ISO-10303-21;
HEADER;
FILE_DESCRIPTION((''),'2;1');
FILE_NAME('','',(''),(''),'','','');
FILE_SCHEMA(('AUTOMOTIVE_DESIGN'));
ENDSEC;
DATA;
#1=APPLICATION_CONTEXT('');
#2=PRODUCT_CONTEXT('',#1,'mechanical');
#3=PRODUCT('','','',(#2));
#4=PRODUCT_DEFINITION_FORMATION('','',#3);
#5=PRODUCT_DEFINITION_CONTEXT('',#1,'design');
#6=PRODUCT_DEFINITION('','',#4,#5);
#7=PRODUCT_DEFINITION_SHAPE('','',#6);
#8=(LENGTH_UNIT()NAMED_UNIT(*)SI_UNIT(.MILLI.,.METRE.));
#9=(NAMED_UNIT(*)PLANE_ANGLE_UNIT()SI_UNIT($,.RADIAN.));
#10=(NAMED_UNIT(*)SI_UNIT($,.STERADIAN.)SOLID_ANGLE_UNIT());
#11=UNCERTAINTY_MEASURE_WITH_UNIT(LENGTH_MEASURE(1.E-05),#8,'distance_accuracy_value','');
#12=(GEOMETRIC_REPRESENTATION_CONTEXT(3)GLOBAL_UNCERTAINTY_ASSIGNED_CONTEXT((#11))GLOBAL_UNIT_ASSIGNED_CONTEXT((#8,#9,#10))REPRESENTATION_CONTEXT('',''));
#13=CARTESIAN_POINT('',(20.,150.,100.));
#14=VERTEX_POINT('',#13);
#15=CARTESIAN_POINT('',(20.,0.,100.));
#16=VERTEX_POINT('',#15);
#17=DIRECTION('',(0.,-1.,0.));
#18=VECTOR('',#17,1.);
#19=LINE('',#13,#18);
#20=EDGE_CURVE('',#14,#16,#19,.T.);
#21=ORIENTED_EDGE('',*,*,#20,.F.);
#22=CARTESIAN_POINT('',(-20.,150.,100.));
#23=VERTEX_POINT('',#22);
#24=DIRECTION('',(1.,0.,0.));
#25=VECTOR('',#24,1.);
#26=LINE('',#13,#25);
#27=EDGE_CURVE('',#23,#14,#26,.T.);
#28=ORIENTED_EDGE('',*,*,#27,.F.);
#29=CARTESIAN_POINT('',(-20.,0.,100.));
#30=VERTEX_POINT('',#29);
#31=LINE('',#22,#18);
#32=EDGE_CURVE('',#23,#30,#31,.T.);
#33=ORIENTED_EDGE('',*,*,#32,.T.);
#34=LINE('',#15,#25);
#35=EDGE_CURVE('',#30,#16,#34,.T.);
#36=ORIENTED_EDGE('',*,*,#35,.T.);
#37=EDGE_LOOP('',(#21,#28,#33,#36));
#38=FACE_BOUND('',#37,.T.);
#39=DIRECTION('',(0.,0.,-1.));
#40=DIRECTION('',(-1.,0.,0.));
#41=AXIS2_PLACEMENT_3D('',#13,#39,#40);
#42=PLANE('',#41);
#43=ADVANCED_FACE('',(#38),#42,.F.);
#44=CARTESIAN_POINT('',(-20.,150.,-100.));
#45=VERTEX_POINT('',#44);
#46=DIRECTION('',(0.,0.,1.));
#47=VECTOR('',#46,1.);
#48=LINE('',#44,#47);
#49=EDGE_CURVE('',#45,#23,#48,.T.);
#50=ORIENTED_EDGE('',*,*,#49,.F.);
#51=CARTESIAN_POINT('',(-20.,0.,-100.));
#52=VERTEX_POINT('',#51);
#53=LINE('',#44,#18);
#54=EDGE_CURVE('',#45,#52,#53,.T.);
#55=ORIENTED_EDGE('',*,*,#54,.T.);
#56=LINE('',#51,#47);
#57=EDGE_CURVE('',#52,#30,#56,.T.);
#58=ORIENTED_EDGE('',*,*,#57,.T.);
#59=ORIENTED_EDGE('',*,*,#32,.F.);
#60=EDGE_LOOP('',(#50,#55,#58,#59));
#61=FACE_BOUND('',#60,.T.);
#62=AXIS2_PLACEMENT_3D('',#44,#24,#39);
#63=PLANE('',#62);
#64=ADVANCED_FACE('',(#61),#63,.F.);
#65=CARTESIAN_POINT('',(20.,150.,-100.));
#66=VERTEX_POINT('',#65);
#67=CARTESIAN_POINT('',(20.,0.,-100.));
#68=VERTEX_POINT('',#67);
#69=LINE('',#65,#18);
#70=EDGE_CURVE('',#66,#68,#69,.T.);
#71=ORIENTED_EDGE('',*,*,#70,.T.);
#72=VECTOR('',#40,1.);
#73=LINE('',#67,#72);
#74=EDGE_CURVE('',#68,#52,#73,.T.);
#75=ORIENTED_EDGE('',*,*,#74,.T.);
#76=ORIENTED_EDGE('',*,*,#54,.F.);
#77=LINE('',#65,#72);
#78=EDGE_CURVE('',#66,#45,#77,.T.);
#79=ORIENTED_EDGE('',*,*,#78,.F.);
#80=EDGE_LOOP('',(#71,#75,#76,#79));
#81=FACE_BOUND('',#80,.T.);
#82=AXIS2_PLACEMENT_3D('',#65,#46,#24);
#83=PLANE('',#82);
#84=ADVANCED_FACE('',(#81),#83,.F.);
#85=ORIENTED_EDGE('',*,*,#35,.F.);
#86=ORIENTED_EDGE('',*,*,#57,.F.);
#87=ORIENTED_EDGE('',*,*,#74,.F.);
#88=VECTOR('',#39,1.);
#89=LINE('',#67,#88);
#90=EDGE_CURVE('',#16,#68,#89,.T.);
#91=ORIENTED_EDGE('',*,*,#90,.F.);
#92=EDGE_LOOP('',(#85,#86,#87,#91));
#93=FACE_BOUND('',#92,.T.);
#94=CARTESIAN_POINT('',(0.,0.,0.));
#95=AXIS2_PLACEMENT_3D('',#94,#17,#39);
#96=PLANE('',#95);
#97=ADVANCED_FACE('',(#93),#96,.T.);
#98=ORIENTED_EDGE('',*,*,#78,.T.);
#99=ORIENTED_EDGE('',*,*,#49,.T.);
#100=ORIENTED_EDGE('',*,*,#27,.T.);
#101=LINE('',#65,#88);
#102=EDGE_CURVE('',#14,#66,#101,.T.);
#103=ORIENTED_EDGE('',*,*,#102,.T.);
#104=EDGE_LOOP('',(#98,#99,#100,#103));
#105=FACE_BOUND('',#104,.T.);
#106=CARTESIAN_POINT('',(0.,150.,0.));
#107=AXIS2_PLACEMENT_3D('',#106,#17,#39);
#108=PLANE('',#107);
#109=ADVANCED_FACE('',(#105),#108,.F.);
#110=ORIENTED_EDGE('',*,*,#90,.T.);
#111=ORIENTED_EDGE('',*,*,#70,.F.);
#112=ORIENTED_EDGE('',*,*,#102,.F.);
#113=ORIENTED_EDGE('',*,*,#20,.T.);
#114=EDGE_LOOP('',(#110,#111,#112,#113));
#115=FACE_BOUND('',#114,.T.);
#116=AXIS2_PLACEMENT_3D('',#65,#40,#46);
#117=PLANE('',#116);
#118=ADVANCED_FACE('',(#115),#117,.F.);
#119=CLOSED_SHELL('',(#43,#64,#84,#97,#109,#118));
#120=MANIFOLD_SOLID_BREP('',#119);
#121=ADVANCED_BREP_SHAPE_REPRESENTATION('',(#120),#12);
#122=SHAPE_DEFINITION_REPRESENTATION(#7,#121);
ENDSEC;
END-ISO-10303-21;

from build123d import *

# Parameters (mm, degrees)
SKETCH1_W           = 40
SKETCH1_H           = 200
BOSS_EXTRUDE1_DEPTH = 150


with BuildPart() as part:
    # Sketch1 → Boss-Extrude1 (new body)
    with BuildSketch(Plane(origin=(0, 0, 0), x_dir=(1, 0, 0), z_dir=(0, 1, 0))):
        Rectangle(SKETCH1_W, SKETCH1_H)
    extrude(amount=BOSS_EXTRUDE1_DEPTH)


solid = part.part
